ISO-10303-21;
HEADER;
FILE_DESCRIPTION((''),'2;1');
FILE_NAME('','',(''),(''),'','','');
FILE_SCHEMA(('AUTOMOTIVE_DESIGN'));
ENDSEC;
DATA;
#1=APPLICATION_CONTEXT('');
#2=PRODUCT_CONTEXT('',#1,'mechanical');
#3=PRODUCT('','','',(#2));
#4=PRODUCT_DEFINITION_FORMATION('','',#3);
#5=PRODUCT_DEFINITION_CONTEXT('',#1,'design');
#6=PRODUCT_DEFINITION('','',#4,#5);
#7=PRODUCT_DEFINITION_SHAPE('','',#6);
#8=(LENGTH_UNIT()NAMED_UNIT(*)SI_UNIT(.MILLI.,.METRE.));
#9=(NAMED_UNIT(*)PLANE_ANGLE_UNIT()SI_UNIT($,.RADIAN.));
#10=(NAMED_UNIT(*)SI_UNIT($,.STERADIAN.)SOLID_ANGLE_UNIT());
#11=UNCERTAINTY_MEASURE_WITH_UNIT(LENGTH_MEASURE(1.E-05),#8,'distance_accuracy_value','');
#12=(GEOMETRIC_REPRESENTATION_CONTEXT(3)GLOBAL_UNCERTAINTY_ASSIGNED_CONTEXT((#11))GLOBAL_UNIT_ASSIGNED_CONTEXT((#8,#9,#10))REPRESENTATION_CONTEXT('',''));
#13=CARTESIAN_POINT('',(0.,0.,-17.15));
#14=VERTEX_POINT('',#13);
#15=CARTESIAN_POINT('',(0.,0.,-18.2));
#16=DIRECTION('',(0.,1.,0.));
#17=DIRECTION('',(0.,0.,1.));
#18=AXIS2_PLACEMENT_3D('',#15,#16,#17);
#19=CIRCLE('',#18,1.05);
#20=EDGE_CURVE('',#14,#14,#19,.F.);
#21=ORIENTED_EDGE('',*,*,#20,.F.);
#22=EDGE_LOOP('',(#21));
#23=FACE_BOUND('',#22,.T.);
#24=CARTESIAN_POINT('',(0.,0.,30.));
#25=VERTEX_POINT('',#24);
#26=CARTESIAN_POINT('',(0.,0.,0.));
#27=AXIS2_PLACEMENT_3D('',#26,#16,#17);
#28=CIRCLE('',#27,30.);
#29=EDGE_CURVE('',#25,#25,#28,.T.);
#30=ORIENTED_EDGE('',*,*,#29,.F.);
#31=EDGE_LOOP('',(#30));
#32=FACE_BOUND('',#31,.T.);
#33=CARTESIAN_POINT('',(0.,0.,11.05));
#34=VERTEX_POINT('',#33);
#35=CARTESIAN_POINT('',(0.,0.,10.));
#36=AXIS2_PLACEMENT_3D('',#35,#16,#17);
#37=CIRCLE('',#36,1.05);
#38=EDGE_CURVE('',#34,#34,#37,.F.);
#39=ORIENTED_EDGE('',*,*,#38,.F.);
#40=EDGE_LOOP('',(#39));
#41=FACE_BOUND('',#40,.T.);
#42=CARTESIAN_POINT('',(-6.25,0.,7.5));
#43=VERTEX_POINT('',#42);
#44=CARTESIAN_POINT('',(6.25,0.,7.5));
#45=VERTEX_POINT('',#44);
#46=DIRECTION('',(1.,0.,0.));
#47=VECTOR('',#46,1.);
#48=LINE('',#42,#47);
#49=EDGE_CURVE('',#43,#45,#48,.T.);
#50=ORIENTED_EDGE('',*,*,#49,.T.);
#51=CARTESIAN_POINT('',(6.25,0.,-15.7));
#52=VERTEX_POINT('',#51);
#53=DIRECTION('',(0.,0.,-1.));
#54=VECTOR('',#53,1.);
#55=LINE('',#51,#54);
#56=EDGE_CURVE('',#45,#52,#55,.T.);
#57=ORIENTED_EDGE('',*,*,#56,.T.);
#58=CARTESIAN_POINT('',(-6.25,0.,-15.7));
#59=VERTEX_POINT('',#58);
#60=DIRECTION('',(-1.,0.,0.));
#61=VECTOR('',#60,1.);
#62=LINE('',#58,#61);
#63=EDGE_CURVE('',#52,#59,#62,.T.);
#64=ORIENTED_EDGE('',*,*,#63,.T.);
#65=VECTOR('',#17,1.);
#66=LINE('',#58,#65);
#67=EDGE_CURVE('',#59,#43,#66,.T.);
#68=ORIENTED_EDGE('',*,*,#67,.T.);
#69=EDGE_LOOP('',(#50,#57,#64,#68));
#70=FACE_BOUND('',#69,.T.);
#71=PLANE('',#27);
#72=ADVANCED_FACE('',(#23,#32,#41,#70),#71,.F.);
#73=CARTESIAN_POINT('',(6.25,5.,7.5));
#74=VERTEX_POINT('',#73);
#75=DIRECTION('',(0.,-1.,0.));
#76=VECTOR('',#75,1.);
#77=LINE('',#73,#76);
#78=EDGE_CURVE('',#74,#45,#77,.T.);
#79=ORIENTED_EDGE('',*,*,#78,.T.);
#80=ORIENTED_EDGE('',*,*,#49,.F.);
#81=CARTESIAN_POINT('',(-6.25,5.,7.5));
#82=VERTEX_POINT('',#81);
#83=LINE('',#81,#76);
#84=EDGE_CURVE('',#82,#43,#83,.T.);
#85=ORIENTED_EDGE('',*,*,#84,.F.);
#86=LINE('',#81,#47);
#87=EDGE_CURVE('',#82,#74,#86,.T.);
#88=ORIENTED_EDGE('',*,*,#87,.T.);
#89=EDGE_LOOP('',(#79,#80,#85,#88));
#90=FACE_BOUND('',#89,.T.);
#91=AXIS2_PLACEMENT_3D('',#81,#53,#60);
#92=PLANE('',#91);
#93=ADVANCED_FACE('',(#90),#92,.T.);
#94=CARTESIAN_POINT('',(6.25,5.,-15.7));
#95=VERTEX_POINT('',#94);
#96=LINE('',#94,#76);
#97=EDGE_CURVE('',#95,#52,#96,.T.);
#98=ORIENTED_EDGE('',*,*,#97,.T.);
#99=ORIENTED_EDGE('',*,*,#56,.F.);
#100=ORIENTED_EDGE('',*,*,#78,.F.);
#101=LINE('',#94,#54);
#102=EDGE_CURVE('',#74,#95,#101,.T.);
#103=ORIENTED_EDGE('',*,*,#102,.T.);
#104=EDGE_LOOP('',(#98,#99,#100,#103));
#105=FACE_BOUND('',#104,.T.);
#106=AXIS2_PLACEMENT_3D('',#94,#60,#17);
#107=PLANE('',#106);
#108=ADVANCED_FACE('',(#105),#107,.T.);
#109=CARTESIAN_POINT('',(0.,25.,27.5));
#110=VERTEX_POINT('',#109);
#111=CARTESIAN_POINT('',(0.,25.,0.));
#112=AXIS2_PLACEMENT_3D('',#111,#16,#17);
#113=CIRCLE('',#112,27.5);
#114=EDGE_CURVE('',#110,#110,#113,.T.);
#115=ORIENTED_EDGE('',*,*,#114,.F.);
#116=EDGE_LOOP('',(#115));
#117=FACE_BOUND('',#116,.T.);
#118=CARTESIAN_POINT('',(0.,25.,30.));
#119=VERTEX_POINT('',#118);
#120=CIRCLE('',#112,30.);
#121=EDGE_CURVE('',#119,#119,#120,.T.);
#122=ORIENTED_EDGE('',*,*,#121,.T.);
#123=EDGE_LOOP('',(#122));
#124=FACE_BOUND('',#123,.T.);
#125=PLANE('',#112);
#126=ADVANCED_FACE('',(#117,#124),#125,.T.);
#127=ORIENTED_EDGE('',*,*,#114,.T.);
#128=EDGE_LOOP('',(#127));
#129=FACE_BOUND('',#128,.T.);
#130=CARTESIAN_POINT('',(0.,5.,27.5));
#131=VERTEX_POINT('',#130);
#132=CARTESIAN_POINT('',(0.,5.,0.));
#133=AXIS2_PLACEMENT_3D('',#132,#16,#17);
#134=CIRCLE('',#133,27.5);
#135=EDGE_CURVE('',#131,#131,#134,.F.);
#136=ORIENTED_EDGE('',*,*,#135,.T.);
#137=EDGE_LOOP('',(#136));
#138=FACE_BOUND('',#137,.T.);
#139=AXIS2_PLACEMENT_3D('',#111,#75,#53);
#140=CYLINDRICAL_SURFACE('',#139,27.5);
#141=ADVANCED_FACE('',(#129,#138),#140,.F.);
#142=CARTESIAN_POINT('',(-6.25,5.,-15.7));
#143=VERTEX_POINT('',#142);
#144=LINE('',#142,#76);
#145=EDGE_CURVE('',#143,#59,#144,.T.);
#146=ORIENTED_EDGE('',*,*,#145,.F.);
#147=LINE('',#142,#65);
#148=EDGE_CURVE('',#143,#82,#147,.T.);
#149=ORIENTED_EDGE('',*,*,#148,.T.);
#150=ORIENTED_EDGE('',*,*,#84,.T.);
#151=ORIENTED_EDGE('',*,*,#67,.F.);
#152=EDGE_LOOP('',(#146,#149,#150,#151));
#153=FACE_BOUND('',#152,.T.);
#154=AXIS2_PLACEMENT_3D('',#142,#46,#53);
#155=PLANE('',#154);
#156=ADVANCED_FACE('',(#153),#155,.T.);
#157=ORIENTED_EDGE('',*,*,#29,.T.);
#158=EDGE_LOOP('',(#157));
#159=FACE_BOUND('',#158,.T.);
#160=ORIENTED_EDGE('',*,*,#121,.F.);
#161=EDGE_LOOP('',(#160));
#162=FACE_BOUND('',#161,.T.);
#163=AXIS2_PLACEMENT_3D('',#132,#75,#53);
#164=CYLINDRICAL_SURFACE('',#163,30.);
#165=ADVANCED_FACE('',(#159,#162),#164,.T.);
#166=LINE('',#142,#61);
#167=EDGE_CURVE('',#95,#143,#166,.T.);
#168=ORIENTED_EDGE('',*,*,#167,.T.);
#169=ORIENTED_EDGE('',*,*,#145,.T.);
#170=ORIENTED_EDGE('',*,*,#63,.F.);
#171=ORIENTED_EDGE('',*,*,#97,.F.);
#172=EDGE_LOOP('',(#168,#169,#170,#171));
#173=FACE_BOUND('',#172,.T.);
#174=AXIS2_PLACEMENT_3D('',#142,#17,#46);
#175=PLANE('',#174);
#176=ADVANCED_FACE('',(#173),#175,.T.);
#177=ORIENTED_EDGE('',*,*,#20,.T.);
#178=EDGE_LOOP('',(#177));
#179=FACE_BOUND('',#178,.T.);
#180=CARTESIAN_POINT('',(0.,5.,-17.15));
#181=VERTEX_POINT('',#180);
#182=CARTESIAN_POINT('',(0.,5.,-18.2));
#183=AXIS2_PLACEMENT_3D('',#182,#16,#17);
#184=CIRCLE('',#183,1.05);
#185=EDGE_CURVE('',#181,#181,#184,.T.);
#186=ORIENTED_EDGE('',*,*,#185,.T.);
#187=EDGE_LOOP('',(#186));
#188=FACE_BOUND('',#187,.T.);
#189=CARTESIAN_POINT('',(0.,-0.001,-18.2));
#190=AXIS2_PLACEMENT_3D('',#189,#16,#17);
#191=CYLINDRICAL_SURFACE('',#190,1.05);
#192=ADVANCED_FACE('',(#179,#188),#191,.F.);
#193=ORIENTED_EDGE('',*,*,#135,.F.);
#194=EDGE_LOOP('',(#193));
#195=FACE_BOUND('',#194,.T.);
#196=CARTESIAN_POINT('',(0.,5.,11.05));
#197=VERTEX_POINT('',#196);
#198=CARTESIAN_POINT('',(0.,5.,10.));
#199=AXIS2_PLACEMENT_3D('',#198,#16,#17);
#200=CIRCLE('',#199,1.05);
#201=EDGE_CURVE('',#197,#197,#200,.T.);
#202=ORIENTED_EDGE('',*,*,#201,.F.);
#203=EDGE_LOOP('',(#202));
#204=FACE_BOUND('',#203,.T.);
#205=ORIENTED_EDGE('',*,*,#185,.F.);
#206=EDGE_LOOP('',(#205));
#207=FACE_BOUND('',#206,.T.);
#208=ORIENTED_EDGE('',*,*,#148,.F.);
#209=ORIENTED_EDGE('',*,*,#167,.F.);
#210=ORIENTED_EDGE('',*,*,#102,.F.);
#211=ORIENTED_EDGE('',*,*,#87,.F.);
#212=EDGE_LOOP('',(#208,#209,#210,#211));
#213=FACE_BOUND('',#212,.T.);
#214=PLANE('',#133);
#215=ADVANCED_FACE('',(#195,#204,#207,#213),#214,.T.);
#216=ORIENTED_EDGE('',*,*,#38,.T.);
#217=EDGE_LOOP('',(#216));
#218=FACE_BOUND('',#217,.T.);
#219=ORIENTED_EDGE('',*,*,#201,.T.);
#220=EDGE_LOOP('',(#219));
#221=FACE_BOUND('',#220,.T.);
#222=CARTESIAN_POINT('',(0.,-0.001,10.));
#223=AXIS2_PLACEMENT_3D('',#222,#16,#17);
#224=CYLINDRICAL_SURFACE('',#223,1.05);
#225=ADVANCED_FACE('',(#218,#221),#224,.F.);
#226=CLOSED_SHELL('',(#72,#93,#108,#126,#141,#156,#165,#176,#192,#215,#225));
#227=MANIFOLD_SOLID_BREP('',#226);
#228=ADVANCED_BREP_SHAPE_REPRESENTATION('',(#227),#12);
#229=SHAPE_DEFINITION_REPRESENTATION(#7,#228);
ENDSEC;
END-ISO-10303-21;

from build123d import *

# Parameters (mm, degrees)
SKETCH1_R           = 30
SKETCH1_W           = 12.5
SKETCH1_H           = 23.2
BOSS_EXTRUDE1_DEPTH = 5
SKETCH4_R           = 30
SKETCH4_R_2         = 27.5
BOSS_EXTRUDE3_DEPTH = 20
CUT_EXTRUDE2_REACH  = 48.904
SKETCH5_R           = 1.05


with BuildPart() as part:
    # Sketch1 → Boss-Extrude1 (new body)
    with BuildSketch(Plane(origin=(0, 0, 0), x_dir=(1, 0, 0), z_dir=(0, 1, 0))):
        with Locations(Location((0, 0, 0), (0, 0, 270))):
            Circle(SKETCH1_R)
        with Locations((0, 4.1)):
            Rectangle(SKETCH1_W, SKETCH1_H, mode=Mode.SUBTRACT)
    extrude(amount=BOSS_EXTRUDE1_DEPTH)

    # Sketch4 → Boss-Extrude3 (add)
    with BuildSketch(Plane(origin=(0, 5, 0), x_dir=(1, 0, 0), z_dir=(0, 1, 0))):
        with Locations(Location((0, 0, 0), (0, 0, 270))):
            Circle(SKETCH4_R)
        with Locations(Location((0, 0, 0), (0, 0, 270))):
            Circle(SKETCH4_R_2, mode=Mode.SUBTRACT)
    extrude(amount=BOSS_EXTRUDE3_DEPTH)

    # Sketch5 → Cut-Extrude2 (cut, up to next)
    with BuildSketch(Plane(origin=(0, 5, 0), x_dir=(1, 0, 0), z_dir=(0, 1, 0)), mode=Mode.PRIVATE) as cut_extrude2_sk1:
        with Locations(Location((0, 18.2, 0), (0, 0, 270))):
            Circle(SKETCH5_R)
    cut_extrude2_tool1 = extrude(cut_extrude2_sk1.sketch, amount=-CUT_EXTRUDE2_REACH, mode=Mode.PRIVATE) & part.part
    # Sketch5 → Cut-Extrude2 (cut, up to next)
    with BuildSketch(Plane(origin=(0, 5, 0), x_dir=(1, 0, 0), z_dir=(0, 1, 0)), mode=Mode.PRIVATE) as cut_extrude2_sk2:
        with Locations(Location((0, -10, 0), (0, 0, 270))):
            Circle(SKETCH5_R)
    cut_extrude2_tool2 = extrude(cut_extrude2_sk2.sketch, amount=-CUT_EXTRUDE2_REACH, mode=Mode.PRIVATE) & part.part
    add(cut_extrude2_tool1.solids().sort_by_distance((0, 5, -18.2))[0], mode=Mode.SUBTRACT)
    add(cut_extrude2_tool2.solids().sort_by_distance((0, 5, 10))[0], mode=Mode.SUBTRACT)


solid = part.part
